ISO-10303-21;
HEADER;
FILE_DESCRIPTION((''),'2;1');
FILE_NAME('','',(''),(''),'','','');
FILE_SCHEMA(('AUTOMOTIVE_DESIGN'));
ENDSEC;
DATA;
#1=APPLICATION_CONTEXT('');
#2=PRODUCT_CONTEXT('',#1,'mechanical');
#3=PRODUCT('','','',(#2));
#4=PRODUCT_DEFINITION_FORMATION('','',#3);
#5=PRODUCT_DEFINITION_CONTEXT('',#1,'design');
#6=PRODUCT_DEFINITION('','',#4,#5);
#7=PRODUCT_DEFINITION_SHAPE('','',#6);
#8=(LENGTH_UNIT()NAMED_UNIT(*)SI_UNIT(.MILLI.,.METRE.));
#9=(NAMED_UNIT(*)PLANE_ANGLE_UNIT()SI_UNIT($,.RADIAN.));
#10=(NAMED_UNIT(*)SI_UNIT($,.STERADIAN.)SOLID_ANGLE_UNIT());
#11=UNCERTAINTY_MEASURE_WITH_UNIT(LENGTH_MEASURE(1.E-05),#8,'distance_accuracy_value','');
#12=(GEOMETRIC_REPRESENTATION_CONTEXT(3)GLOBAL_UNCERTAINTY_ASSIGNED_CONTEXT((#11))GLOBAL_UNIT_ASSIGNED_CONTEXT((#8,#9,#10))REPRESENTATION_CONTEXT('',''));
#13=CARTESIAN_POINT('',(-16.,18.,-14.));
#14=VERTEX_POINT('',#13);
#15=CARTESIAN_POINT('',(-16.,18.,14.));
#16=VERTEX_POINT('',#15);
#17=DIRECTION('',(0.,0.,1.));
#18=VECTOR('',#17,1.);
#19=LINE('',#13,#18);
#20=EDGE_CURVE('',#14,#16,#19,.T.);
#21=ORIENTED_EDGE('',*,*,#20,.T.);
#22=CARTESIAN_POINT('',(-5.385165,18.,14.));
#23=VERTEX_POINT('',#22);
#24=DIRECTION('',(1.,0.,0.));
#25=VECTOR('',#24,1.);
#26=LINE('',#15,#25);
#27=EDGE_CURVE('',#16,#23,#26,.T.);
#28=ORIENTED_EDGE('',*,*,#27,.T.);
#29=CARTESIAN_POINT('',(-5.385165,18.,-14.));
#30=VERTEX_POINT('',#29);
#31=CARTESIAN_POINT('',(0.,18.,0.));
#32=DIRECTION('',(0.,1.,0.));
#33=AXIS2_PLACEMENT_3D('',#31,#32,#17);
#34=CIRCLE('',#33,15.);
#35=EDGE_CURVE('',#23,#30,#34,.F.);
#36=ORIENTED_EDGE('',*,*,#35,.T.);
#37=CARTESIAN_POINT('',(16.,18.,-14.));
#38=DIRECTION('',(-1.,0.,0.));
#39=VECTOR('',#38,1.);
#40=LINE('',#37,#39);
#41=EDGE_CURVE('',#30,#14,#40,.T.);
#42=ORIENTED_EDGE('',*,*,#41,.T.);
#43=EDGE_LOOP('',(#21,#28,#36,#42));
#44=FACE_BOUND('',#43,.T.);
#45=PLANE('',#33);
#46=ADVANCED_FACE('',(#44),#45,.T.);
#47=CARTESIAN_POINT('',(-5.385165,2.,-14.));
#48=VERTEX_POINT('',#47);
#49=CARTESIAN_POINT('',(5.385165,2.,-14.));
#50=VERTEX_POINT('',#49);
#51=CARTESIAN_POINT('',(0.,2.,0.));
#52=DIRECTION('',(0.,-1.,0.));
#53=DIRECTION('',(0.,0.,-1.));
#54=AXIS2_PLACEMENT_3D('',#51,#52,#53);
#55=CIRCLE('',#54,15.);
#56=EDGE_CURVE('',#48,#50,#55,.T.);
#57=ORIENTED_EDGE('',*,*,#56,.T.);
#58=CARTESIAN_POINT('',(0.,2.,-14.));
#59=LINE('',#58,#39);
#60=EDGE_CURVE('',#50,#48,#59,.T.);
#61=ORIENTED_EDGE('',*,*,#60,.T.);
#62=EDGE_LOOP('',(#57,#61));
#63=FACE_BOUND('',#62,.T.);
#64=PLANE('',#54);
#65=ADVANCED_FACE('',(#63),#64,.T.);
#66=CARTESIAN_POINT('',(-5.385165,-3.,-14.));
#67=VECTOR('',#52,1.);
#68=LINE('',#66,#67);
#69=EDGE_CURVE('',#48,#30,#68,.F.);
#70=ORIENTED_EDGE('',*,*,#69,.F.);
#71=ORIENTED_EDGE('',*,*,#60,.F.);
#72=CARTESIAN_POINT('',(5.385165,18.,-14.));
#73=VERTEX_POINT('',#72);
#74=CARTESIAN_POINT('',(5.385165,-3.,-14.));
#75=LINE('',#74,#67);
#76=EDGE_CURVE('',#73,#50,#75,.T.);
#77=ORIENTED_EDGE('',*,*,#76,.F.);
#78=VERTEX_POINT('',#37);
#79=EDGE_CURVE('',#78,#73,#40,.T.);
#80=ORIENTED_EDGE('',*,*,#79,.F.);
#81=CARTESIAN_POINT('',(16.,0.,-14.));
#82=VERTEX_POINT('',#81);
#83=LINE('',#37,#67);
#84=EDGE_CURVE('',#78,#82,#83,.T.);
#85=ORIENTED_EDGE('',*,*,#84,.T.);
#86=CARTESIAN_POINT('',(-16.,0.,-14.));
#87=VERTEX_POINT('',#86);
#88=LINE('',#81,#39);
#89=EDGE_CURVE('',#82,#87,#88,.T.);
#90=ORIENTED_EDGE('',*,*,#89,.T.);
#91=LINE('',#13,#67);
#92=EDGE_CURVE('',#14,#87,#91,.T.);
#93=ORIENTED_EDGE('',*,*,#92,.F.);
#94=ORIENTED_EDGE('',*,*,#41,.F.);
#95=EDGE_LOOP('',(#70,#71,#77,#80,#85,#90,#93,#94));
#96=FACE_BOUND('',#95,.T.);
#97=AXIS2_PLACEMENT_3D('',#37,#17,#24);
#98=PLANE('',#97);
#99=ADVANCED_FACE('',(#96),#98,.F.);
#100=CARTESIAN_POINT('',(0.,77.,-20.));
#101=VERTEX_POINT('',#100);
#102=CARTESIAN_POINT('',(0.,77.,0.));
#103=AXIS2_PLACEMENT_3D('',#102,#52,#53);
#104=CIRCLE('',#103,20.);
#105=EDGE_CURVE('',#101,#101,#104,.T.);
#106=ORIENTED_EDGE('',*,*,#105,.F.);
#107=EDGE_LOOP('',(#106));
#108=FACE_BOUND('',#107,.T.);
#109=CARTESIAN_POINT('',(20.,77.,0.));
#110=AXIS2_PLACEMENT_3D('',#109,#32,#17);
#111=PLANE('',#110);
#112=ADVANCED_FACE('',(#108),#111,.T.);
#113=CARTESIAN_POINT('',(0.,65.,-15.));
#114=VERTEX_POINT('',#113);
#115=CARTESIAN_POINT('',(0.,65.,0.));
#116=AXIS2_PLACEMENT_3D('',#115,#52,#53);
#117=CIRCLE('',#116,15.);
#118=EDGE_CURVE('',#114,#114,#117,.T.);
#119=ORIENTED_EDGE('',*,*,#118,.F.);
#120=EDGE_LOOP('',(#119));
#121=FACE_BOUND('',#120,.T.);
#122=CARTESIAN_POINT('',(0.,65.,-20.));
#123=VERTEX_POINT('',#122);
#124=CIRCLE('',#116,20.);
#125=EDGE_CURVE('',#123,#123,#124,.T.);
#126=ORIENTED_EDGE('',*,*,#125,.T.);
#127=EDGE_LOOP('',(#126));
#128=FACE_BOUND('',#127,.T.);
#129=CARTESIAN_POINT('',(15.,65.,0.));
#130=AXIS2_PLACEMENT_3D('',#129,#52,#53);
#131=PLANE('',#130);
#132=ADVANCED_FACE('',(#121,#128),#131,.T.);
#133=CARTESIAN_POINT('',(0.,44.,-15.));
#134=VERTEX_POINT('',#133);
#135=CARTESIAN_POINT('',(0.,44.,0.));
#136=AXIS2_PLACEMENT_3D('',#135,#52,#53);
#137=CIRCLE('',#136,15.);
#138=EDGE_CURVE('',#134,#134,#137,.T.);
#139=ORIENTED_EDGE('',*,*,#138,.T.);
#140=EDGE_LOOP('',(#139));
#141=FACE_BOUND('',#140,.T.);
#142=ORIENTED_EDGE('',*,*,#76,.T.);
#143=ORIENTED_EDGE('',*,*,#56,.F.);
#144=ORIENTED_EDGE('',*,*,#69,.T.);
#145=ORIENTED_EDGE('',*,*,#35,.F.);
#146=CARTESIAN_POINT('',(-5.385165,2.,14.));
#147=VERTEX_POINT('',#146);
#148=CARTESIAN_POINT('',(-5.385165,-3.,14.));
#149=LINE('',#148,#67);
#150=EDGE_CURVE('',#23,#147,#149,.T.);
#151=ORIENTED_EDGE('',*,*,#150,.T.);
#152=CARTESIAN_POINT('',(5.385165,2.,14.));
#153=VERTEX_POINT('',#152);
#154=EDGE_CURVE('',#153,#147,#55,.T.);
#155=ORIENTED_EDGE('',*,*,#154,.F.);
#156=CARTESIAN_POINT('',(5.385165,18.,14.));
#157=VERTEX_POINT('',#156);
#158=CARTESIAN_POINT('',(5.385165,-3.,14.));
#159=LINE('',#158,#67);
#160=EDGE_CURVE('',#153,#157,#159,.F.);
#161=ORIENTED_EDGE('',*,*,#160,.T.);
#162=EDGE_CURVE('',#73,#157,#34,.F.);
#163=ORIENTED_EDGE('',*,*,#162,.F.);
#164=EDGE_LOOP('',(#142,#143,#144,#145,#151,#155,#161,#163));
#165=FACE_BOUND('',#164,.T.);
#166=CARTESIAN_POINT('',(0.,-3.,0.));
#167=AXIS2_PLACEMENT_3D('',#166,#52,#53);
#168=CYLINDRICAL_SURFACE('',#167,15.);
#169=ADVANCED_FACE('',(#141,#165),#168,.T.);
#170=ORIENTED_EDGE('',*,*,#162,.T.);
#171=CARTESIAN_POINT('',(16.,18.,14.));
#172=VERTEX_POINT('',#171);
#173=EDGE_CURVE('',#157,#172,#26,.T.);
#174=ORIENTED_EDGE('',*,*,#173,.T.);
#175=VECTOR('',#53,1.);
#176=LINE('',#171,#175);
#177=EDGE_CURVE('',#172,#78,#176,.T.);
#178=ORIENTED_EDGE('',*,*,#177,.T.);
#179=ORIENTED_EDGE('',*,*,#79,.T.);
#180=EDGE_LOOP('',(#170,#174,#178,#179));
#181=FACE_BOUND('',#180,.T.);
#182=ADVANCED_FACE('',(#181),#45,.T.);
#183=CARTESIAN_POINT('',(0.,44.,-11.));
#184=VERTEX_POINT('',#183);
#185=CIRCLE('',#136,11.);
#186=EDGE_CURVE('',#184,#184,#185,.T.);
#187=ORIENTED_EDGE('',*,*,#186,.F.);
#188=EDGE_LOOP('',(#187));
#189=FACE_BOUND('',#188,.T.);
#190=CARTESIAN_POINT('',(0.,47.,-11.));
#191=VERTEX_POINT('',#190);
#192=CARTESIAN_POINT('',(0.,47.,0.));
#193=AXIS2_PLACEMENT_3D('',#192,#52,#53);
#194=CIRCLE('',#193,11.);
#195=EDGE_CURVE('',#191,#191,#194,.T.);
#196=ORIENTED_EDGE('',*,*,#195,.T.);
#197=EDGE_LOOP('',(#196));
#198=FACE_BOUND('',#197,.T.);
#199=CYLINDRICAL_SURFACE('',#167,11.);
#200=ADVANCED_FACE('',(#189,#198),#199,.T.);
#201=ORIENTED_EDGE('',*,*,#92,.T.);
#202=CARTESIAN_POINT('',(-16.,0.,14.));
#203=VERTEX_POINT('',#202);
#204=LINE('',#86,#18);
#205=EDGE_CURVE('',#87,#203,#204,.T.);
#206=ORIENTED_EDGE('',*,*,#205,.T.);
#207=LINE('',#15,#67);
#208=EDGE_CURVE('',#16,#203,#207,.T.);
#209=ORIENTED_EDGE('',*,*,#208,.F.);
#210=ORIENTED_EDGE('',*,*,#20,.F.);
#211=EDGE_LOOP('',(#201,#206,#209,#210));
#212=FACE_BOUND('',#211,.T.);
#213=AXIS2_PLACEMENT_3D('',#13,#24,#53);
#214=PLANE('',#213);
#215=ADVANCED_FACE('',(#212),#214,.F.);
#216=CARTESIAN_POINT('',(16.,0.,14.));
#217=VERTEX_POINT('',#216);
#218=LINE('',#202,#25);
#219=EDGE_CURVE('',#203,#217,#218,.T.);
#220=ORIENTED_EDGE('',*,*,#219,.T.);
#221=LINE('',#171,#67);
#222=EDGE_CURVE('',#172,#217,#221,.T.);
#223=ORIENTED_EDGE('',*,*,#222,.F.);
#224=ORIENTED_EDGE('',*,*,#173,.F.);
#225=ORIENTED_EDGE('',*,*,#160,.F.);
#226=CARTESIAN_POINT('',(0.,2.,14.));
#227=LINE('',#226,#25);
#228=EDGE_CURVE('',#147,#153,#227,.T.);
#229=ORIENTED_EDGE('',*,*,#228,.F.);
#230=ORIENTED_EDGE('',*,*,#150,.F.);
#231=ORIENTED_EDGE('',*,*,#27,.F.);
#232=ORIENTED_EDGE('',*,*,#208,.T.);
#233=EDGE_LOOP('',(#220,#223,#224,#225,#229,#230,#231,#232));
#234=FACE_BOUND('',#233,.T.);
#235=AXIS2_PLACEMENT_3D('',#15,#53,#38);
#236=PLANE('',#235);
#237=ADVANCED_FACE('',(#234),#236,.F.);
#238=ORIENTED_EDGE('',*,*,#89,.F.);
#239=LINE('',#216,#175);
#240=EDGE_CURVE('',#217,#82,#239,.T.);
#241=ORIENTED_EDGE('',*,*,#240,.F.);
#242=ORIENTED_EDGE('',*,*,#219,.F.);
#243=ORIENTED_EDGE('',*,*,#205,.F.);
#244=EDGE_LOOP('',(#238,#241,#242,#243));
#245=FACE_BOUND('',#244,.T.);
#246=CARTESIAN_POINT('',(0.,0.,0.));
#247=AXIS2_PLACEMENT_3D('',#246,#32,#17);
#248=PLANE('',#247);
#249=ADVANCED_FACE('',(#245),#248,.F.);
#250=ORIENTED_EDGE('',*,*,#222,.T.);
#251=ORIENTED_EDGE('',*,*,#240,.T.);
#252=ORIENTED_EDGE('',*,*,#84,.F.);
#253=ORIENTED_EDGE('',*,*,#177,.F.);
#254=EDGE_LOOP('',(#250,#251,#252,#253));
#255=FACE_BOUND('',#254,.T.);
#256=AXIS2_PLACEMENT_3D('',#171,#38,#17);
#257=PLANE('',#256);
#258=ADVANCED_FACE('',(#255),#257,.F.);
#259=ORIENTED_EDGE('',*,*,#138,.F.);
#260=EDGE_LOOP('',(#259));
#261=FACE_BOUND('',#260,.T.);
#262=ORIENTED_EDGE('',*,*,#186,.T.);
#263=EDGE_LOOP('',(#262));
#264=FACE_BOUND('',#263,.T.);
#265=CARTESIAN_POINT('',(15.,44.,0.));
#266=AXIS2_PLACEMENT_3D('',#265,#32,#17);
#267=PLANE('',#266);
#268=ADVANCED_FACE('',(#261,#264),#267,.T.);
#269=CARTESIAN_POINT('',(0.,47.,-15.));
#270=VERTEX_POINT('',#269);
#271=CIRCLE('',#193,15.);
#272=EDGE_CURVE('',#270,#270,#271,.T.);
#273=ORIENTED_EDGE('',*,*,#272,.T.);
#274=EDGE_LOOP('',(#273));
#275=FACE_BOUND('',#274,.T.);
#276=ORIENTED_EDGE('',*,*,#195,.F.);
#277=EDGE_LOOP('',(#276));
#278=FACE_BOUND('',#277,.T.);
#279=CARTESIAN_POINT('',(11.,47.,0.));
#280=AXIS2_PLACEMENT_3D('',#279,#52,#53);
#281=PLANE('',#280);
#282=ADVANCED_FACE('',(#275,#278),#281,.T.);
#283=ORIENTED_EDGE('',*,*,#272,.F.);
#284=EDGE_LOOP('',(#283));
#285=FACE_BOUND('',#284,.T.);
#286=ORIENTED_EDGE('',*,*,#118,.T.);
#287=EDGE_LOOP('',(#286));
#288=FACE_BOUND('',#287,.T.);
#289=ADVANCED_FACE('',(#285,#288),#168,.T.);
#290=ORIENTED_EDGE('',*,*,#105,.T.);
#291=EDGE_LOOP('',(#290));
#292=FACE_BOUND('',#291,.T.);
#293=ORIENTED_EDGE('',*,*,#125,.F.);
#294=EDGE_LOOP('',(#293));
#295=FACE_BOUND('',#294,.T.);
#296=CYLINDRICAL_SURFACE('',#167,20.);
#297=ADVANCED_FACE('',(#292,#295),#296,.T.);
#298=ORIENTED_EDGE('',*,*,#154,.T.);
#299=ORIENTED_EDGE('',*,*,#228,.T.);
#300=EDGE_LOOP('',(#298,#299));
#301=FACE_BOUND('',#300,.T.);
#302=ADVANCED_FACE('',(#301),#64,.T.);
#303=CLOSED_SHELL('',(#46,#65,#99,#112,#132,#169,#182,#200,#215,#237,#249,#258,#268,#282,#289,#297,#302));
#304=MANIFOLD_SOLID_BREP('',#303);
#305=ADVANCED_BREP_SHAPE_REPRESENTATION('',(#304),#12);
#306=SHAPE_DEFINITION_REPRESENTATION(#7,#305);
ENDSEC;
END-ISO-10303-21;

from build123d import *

# Parameters (mm, degrees)
SK_P02_CONTACTBLOCKSNC1NC2_W  = 32
SK_P02_CONTACTBLOCKSNC1NC2_H  = 28
P02_CONTACTBLOCKSNC1NC2_DEPTH = 18


with BuildPart() as part:
    # SK_P01_Mushroomandbody → P01_Mushroomandbody (revolve)
    with BuildSketch(Plane.XY, mode=Mode.PRIVATE) as p01_mushroomandbody_sk:
        Polygon((0, 2), (15, 2), (15, 44), (11, 44), (11, 47), (15, 47), (15, 65), (20, 65), (20, 77), (0, 77), align=None)
    revolve(p01_mushroomandbody_sk.sketch.rotate(Axis((0, -3, 0), (0, 1, 0)), 90), axis=Axis((0, -3, 0), (0, 1, 0)))

    # SK_P02_ContactblocksNC1NC2 → P02_ContactblocksNC1NC2 (add)
    with BuildSketch(Plane(origin=(0, 0, 0), x_dir=(1, 0, 0), z_dir=(0, 1, 0))):
        Rectangle(SK_P02_CONTACTBLOCKSNC1NC2_W, SK_P02_CONTACTBLOCKSNC1NC2_H)
    extrude(amount=P02_CONTACTBLOCKSNC1NC2_DEPTH)


solid = part.part
